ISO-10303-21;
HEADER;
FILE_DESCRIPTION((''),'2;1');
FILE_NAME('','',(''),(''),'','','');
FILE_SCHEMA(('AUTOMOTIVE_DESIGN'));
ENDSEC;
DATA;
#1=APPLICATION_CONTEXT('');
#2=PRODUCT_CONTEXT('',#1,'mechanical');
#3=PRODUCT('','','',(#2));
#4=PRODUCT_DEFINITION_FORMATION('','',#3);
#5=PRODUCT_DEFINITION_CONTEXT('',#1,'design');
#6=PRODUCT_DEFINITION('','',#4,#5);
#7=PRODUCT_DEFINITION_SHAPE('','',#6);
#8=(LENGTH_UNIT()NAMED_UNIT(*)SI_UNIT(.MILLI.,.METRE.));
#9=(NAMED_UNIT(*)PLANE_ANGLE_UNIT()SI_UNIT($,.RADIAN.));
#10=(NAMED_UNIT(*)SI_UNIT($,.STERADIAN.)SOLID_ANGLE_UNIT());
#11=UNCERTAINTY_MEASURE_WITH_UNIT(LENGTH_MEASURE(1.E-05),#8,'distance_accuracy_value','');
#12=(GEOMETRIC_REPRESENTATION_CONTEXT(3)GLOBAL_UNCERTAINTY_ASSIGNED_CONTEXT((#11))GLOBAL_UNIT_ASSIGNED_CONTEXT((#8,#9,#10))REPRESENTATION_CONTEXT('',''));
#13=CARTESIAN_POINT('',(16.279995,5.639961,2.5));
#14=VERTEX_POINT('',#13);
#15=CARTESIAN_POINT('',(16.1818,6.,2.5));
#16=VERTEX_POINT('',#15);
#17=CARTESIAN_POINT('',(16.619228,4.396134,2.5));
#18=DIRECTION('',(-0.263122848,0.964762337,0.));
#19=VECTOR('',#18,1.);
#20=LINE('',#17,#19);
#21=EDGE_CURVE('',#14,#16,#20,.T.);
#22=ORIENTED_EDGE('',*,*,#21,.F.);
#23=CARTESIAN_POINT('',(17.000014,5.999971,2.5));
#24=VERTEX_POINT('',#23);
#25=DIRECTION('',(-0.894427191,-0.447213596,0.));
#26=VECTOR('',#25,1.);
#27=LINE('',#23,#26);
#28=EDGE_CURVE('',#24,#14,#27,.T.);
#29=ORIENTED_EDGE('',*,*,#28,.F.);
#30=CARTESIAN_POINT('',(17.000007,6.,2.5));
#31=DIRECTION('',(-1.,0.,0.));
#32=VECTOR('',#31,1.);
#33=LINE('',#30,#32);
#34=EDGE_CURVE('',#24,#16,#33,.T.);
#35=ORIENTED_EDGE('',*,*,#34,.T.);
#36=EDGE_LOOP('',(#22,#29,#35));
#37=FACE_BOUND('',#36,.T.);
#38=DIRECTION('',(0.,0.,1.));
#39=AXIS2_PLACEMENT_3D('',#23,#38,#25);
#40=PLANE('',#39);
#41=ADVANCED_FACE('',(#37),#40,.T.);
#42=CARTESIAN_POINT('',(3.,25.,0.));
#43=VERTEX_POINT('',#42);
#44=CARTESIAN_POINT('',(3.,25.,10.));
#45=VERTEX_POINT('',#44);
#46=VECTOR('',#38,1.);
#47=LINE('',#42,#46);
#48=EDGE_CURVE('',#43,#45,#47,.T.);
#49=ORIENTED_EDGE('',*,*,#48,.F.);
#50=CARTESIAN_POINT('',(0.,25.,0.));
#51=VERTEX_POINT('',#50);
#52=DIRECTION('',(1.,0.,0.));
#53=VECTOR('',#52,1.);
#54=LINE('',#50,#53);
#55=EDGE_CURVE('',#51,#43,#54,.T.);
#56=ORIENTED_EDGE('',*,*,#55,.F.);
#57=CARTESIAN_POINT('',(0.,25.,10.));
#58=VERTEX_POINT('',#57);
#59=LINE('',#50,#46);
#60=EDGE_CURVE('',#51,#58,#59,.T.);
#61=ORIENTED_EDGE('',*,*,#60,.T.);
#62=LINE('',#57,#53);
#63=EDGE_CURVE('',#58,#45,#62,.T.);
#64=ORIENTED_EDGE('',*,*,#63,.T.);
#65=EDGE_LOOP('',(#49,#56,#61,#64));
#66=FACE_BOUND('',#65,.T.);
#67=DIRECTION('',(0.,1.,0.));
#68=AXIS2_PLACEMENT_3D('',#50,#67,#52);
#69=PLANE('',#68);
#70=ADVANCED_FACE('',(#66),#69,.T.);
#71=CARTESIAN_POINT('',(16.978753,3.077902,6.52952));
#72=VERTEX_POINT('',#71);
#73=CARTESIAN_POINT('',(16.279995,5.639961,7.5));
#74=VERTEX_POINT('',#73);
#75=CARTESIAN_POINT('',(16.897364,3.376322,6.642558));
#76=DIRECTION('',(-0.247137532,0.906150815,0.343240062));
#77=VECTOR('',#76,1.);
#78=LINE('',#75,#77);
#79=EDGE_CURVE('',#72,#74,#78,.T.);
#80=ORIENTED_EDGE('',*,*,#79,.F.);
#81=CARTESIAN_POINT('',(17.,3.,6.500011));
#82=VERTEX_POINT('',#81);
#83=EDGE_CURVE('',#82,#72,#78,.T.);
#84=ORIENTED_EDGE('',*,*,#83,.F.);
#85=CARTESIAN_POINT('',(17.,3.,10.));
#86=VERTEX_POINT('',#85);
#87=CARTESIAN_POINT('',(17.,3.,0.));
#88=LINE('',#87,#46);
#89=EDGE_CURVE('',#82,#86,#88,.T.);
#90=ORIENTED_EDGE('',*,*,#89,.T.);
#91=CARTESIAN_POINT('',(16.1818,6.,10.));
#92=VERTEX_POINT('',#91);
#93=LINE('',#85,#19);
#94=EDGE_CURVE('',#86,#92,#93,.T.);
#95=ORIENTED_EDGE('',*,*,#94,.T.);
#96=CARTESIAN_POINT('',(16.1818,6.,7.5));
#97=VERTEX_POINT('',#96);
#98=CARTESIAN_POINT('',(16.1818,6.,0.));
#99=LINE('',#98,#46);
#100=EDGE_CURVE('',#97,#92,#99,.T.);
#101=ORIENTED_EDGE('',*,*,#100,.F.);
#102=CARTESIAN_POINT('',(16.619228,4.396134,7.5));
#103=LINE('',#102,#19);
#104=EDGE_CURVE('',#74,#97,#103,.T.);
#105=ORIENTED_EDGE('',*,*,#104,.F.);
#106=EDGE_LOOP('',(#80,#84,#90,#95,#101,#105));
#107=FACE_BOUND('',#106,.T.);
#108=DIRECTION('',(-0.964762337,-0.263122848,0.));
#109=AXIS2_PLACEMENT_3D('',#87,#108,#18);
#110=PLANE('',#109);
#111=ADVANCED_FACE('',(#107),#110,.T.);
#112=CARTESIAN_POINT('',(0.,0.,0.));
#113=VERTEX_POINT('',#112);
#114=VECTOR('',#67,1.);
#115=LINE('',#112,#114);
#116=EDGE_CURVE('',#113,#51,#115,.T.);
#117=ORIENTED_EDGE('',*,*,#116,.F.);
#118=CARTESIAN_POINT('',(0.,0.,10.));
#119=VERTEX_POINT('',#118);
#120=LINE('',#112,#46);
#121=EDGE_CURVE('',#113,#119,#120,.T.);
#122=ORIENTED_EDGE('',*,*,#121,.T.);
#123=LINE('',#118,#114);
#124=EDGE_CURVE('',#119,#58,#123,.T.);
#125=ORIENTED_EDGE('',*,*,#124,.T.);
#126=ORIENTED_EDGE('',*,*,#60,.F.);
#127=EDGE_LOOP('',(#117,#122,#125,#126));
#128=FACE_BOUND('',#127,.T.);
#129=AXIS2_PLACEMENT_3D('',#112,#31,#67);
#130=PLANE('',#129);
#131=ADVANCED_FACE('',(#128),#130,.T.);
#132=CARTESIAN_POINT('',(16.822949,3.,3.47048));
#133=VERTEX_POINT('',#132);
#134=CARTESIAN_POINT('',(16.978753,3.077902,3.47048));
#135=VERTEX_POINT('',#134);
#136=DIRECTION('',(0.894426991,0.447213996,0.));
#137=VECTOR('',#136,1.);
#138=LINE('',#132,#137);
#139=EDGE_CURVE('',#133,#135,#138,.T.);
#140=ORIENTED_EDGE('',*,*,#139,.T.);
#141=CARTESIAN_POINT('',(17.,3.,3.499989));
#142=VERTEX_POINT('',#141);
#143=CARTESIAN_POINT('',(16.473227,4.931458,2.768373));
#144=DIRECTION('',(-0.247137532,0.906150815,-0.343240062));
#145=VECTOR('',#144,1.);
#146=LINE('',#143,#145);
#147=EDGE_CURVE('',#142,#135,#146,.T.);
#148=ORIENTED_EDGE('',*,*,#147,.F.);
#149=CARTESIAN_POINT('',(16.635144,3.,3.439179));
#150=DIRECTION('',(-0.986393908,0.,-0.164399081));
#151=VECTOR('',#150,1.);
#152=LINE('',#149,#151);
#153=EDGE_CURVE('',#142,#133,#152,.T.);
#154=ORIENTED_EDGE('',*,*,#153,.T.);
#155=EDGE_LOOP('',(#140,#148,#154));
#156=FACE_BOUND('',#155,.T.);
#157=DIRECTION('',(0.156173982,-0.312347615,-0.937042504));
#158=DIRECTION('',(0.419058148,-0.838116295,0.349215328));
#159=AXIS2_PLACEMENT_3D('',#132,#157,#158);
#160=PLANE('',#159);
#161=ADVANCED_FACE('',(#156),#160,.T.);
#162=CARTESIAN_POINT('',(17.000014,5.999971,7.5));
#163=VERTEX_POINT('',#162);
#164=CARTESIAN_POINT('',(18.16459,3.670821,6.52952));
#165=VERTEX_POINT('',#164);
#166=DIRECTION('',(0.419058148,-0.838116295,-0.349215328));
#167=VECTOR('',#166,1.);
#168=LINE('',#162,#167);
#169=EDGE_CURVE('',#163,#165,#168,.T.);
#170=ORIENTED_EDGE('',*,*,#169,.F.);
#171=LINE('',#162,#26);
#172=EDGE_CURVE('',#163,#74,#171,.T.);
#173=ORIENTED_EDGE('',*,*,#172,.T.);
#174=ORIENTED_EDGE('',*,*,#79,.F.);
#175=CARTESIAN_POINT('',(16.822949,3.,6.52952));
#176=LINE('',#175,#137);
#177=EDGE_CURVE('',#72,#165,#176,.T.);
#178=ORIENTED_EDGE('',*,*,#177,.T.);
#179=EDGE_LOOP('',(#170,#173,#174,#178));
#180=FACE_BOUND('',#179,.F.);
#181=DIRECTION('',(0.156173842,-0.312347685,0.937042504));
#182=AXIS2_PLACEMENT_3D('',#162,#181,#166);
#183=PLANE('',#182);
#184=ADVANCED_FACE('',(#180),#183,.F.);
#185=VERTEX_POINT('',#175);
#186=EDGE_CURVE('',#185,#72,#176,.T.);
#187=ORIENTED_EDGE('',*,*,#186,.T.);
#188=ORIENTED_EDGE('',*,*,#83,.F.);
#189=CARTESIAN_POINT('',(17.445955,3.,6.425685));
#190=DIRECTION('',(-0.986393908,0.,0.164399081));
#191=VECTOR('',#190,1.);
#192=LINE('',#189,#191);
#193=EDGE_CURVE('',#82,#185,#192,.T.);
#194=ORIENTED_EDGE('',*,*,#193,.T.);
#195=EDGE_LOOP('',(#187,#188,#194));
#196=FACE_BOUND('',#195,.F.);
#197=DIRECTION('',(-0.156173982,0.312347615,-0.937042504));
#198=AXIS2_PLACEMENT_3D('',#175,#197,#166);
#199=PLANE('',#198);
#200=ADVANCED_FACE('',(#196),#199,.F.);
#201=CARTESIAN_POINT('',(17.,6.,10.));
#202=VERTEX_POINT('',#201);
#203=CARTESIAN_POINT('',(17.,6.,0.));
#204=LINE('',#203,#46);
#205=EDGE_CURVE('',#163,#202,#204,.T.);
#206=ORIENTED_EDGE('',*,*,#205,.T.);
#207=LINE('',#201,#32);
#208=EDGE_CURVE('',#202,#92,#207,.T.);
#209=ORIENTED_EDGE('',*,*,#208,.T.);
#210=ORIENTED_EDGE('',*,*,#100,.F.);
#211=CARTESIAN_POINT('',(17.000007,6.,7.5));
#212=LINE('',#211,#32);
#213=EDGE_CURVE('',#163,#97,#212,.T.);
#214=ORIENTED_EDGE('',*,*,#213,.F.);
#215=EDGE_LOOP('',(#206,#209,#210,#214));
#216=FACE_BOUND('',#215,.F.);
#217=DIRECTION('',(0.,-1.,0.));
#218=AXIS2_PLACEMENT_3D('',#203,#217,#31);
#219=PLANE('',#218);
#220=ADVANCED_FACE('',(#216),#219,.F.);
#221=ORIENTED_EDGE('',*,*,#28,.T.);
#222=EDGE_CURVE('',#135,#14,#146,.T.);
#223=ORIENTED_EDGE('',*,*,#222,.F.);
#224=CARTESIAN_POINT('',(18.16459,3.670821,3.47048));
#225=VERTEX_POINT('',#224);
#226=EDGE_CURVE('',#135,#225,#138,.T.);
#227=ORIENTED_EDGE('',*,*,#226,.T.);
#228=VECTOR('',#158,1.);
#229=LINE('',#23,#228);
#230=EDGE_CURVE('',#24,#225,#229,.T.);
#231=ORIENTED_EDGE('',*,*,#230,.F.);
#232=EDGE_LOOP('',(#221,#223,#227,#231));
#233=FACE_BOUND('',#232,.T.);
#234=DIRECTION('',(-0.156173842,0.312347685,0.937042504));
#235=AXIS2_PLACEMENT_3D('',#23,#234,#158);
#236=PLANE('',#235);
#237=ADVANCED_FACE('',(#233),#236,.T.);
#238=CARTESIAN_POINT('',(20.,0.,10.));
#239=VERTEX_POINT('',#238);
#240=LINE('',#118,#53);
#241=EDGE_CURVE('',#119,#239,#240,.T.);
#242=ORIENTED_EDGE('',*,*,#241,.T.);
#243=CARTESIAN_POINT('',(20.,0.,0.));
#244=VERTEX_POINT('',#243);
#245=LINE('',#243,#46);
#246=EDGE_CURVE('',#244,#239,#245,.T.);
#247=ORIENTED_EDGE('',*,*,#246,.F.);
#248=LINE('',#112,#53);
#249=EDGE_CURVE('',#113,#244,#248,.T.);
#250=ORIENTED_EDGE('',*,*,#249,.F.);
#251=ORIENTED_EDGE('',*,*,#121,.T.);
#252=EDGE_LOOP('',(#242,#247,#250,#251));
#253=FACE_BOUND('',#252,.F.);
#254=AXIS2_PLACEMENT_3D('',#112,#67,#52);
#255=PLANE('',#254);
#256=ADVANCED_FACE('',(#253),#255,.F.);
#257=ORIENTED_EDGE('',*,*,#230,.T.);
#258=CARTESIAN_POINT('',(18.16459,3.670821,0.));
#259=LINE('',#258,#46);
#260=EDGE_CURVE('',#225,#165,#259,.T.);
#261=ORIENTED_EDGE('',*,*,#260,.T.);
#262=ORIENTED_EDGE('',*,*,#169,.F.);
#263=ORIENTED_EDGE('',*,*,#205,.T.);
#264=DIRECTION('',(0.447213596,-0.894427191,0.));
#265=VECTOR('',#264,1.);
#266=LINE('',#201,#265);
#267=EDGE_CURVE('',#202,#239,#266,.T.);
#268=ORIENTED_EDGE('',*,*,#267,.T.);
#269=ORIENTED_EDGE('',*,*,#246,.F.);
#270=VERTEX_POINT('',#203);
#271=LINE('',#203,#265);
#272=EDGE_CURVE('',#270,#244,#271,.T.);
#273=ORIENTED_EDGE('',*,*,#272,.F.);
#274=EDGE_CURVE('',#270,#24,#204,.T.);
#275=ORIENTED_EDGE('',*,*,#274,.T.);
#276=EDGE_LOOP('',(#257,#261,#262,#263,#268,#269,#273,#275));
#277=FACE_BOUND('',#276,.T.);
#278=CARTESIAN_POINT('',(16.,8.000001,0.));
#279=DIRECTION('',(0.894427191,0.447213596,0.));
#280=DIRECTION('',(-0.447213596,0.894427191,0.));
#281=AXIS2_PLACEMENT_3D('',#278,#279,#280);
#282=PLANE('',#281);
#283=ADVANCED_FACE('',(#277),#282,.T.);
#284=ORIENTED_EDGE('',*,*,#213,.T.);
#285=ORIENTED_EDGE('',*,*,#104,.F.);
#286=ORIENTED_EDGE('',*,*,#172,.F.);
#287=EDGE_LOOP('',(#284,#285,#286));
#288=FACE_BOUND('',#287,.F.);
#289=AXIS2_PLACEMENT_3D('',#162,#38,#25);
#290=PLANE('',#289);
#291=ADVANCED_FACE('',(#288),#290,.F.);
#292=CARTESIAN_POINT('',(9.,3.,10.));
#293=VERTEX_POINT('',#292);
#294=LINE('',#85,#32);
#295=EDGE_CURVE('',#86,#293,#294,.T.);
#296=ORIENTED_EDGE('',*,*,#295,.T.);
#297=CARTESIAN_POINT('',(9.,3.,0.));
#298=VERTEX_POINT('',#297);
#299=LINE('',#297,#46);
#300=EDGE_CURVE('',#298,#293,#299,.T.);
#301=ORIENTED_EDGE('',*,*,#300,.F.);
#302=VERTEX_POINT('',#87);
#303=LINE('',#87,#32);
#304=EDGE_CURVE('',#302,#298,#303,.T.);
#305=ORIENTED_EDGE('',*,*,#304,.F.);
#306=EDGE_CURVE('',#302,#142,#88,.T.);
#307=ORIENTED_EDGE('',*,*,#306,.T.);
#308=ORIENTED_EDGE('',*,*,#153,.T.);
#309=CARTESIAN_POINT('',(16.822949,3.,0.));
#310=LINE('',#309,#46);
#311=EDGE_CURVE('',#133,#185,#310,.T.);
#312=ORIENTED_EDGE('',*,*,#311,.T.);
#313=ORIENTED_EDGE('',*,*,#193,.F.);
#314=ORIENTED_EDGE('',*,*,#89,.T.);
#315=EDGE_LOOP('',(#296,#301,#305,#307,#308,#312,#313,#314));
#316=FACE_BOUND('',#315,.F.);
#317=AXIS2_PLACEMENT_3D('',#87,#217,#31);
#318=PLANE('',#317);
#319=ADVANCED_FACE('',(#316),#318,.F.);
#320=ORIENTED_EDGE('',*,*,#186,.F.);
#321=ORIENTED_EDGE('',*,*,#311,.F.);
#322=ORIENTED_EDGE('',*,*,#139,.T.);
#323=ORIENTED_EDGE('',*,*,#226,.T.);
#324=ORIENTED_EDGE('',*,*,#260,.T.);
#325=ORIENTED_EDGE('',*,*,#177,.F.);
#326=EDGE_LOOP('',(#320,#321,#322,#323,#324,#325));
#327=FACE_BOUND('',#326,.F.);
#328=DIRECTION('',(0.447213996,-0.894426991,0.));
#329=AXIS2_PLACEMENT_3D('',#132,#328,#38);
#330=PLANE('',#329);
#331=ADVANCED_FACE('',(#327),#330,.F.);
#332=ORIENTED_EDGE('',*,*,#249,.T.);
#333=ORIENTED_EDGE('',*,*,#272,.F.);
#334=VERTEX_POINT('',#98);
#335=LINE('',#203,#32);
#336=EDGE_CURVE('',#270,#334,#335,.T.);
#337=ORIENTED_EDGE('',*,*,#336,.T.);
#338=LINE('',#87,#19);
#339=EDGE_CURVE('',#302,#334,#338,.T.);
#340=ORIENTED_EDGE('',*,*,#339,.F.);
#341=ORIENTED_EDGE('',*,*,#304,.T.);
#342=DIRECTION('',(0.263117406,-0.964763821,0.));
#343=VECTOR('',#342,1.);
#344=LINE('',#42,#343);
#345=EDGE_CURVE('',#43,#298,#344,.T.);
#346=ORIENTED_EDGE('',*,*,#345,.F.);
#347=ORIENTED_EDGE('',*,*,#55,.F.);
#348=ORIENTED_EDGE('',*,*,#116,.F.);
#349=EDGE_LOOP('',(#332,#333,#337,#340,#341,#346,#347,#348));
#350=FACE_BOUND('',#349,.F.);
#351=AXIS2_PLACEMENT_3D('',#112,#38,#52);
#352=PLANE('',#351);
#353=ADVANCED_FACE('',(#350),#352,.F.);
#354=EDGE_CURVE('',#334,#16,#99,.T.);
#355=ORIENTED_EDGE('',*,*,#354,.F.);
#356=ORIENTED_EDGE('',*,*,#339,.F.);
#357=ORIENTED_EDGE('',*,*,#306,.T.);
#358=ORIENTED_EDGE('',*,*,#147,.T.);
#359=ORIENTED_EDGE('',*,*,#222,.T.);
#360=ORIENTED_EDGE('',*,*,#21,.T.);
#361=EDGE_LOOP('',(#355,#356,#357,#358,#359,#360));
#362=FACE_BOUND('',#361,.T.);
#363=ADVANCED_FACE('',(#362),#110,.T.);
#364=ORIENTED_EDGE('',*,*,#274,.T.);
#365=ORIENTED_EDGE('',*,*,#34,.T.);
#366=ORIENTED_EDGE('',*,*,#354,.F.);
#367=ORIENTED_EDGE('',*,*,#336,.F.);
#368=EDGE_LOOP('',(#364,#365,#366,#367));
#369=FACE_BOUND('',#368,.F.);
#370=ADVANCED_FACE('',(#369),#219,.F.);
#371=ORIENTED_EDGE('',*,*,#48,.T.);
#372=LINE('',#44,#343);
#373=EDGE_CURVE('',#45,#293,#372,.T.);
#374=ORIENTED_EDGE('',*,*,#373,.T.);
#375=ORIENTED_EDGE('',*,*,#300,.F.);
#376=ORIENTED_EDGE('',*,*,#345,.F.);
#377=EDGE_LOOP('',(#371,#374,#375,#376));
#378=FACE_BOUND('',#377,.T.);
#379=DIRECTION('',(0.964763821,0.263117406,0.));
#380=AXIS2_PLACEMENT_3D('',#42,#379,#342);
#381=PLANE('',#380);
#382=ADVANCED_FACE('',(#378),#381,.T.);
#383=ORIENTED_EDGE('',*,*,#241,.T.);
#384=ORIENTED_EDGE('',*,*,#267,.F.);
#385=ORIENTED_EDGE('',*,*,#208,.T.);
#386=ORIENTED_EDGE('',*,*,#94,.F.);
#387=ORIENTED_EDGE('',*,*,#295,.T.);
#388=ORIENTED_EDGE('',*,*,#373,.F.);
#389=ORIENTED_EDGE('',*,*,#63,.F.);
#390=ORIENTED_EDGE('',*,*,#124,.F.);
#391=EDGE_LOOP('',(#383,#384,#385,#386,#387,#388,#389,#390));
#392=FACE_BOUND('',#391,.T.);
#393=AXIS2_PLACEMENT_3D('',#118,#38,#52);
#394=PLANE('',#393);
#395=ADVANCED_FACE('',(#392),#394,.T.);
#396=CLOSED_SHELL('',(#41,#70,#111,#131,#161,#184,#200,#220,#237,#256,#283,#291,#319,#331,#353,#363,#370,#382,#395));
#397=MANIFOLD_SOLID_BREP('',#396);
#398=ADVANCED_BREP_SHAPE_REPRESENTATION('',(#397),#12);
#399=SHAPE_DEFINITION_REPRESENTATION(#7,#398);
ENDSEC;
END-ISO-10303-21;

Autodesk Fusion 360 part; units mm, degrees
sketch "Skizze1" plane through (0, 0, 0) normal (0, 0, 1) x (1, 0, 0)
  line L0 (0, 0) -> (0, 25)
  line L1 (0, 0) -> (20, 0)
  line L2 (0, 25) -> (3, 25)
  line L3 (17, 3) -> (9, 3)
  line L4 (3, 25) -> (9, 3)
  line L5 (3, 25) -> (3, 3) construction
  line L6 (3, 3) -> (9, 3) construction
  line L7 (17, 6) -> (20, 0)
  line L8 (17, 6) -> (16.1818, 6)
  line L9 (17, 3) -> (16.1818, 6)
  line L10 (17, 3) -> (22, 3) construction
  dimension "d1" = 3
  dimension "d4" = 74.745
  dimension "d5" = 105.255
extrude "Extrusion1" add sketch "Skizze1" along normal blind 10
sketch "Skizze3" plane through (0, 0, 0) normal (0, 0, -1) x (1, 0, 0)
  line L0 (20, 0) -> (0, 0)
  line L1 (0, 0) -> (0, -25)
  line L2 (0, -25) -> (3, -25)
  line L3 (3, -25) -> (9, -3)
  line L4 (9, -3) -> (17, -3)
  line L5 (17, -3) -> (16.1818, -6)
  line L6 (16.1818, -6) -> (17, -6)
  line L7 (17, -6) -> (20, 0)
  line L8 (17, -3) -> (18.5, -3)
  line L9 (18.5, -3) -> (17, -6) construction
sketch "Skizze4" plane through (16, 8, 0) normal (0.8944, 0.4472, 0) x (-0.4472, 0.8944, 0)
  line L0 (-8.9443, 0) -> (-2.2361, 0)
  line L1 (-2.2361, 0) -> (-2.2361, 10)
  line L2 (-2.2361, 10) -> (-8.9443, 10)
  line L3 (-8.9443, 10) -> (-8.9443, 0)
  line L4 (-8.9443, 10) -> (-8.9443, 0) construction
  line L5 (-8.9443, 5) -> (-2.2361, 5) construction
  line L6 (-8.9443, 2.5) -> (-2.2361, 2.5) construction
  line L7 (-8.9443, 7.5) -> (-2.2361, 7.5) construction
  line L8 (-2.2361, 7.5) -> (-8.9443, 5)
  line L9 (-2.2361, 2.5) -> (-8.9443, 5)
  line L10 (-2.2361, 0) -> (-5.5902, 0) construction
  line L11 (-5.5902, 0) -> (-5.5902, 10) construction
  line L12 (-5.5902, 3.75) -> (-5.5902, 6.25)
  dimension "d10" = 2.5
  dimension "d11" = 2.5
  dimension "d13" = 3.3541
  dimension "d14" = 6.7082
extrude "Extrusion2" cut sketch "Skizze4" against normal blind 1.5 contours L1 L8 L9 L12
extrude "Extrusion3" cut 1 faces at (16.52, 5.76, 5.8333) along direction (-0.447214, 0.894427, 0) blind 0.4
extrude "Extrusion4" add 1 faces at (16.9348, 2.7764, 4.5833) along direction (0.894427, 0.447214, 0) blind 1.5
equation "d5 = 180 deg - 74.7448809423 deg"
properties part number "Konfiguration 1"
